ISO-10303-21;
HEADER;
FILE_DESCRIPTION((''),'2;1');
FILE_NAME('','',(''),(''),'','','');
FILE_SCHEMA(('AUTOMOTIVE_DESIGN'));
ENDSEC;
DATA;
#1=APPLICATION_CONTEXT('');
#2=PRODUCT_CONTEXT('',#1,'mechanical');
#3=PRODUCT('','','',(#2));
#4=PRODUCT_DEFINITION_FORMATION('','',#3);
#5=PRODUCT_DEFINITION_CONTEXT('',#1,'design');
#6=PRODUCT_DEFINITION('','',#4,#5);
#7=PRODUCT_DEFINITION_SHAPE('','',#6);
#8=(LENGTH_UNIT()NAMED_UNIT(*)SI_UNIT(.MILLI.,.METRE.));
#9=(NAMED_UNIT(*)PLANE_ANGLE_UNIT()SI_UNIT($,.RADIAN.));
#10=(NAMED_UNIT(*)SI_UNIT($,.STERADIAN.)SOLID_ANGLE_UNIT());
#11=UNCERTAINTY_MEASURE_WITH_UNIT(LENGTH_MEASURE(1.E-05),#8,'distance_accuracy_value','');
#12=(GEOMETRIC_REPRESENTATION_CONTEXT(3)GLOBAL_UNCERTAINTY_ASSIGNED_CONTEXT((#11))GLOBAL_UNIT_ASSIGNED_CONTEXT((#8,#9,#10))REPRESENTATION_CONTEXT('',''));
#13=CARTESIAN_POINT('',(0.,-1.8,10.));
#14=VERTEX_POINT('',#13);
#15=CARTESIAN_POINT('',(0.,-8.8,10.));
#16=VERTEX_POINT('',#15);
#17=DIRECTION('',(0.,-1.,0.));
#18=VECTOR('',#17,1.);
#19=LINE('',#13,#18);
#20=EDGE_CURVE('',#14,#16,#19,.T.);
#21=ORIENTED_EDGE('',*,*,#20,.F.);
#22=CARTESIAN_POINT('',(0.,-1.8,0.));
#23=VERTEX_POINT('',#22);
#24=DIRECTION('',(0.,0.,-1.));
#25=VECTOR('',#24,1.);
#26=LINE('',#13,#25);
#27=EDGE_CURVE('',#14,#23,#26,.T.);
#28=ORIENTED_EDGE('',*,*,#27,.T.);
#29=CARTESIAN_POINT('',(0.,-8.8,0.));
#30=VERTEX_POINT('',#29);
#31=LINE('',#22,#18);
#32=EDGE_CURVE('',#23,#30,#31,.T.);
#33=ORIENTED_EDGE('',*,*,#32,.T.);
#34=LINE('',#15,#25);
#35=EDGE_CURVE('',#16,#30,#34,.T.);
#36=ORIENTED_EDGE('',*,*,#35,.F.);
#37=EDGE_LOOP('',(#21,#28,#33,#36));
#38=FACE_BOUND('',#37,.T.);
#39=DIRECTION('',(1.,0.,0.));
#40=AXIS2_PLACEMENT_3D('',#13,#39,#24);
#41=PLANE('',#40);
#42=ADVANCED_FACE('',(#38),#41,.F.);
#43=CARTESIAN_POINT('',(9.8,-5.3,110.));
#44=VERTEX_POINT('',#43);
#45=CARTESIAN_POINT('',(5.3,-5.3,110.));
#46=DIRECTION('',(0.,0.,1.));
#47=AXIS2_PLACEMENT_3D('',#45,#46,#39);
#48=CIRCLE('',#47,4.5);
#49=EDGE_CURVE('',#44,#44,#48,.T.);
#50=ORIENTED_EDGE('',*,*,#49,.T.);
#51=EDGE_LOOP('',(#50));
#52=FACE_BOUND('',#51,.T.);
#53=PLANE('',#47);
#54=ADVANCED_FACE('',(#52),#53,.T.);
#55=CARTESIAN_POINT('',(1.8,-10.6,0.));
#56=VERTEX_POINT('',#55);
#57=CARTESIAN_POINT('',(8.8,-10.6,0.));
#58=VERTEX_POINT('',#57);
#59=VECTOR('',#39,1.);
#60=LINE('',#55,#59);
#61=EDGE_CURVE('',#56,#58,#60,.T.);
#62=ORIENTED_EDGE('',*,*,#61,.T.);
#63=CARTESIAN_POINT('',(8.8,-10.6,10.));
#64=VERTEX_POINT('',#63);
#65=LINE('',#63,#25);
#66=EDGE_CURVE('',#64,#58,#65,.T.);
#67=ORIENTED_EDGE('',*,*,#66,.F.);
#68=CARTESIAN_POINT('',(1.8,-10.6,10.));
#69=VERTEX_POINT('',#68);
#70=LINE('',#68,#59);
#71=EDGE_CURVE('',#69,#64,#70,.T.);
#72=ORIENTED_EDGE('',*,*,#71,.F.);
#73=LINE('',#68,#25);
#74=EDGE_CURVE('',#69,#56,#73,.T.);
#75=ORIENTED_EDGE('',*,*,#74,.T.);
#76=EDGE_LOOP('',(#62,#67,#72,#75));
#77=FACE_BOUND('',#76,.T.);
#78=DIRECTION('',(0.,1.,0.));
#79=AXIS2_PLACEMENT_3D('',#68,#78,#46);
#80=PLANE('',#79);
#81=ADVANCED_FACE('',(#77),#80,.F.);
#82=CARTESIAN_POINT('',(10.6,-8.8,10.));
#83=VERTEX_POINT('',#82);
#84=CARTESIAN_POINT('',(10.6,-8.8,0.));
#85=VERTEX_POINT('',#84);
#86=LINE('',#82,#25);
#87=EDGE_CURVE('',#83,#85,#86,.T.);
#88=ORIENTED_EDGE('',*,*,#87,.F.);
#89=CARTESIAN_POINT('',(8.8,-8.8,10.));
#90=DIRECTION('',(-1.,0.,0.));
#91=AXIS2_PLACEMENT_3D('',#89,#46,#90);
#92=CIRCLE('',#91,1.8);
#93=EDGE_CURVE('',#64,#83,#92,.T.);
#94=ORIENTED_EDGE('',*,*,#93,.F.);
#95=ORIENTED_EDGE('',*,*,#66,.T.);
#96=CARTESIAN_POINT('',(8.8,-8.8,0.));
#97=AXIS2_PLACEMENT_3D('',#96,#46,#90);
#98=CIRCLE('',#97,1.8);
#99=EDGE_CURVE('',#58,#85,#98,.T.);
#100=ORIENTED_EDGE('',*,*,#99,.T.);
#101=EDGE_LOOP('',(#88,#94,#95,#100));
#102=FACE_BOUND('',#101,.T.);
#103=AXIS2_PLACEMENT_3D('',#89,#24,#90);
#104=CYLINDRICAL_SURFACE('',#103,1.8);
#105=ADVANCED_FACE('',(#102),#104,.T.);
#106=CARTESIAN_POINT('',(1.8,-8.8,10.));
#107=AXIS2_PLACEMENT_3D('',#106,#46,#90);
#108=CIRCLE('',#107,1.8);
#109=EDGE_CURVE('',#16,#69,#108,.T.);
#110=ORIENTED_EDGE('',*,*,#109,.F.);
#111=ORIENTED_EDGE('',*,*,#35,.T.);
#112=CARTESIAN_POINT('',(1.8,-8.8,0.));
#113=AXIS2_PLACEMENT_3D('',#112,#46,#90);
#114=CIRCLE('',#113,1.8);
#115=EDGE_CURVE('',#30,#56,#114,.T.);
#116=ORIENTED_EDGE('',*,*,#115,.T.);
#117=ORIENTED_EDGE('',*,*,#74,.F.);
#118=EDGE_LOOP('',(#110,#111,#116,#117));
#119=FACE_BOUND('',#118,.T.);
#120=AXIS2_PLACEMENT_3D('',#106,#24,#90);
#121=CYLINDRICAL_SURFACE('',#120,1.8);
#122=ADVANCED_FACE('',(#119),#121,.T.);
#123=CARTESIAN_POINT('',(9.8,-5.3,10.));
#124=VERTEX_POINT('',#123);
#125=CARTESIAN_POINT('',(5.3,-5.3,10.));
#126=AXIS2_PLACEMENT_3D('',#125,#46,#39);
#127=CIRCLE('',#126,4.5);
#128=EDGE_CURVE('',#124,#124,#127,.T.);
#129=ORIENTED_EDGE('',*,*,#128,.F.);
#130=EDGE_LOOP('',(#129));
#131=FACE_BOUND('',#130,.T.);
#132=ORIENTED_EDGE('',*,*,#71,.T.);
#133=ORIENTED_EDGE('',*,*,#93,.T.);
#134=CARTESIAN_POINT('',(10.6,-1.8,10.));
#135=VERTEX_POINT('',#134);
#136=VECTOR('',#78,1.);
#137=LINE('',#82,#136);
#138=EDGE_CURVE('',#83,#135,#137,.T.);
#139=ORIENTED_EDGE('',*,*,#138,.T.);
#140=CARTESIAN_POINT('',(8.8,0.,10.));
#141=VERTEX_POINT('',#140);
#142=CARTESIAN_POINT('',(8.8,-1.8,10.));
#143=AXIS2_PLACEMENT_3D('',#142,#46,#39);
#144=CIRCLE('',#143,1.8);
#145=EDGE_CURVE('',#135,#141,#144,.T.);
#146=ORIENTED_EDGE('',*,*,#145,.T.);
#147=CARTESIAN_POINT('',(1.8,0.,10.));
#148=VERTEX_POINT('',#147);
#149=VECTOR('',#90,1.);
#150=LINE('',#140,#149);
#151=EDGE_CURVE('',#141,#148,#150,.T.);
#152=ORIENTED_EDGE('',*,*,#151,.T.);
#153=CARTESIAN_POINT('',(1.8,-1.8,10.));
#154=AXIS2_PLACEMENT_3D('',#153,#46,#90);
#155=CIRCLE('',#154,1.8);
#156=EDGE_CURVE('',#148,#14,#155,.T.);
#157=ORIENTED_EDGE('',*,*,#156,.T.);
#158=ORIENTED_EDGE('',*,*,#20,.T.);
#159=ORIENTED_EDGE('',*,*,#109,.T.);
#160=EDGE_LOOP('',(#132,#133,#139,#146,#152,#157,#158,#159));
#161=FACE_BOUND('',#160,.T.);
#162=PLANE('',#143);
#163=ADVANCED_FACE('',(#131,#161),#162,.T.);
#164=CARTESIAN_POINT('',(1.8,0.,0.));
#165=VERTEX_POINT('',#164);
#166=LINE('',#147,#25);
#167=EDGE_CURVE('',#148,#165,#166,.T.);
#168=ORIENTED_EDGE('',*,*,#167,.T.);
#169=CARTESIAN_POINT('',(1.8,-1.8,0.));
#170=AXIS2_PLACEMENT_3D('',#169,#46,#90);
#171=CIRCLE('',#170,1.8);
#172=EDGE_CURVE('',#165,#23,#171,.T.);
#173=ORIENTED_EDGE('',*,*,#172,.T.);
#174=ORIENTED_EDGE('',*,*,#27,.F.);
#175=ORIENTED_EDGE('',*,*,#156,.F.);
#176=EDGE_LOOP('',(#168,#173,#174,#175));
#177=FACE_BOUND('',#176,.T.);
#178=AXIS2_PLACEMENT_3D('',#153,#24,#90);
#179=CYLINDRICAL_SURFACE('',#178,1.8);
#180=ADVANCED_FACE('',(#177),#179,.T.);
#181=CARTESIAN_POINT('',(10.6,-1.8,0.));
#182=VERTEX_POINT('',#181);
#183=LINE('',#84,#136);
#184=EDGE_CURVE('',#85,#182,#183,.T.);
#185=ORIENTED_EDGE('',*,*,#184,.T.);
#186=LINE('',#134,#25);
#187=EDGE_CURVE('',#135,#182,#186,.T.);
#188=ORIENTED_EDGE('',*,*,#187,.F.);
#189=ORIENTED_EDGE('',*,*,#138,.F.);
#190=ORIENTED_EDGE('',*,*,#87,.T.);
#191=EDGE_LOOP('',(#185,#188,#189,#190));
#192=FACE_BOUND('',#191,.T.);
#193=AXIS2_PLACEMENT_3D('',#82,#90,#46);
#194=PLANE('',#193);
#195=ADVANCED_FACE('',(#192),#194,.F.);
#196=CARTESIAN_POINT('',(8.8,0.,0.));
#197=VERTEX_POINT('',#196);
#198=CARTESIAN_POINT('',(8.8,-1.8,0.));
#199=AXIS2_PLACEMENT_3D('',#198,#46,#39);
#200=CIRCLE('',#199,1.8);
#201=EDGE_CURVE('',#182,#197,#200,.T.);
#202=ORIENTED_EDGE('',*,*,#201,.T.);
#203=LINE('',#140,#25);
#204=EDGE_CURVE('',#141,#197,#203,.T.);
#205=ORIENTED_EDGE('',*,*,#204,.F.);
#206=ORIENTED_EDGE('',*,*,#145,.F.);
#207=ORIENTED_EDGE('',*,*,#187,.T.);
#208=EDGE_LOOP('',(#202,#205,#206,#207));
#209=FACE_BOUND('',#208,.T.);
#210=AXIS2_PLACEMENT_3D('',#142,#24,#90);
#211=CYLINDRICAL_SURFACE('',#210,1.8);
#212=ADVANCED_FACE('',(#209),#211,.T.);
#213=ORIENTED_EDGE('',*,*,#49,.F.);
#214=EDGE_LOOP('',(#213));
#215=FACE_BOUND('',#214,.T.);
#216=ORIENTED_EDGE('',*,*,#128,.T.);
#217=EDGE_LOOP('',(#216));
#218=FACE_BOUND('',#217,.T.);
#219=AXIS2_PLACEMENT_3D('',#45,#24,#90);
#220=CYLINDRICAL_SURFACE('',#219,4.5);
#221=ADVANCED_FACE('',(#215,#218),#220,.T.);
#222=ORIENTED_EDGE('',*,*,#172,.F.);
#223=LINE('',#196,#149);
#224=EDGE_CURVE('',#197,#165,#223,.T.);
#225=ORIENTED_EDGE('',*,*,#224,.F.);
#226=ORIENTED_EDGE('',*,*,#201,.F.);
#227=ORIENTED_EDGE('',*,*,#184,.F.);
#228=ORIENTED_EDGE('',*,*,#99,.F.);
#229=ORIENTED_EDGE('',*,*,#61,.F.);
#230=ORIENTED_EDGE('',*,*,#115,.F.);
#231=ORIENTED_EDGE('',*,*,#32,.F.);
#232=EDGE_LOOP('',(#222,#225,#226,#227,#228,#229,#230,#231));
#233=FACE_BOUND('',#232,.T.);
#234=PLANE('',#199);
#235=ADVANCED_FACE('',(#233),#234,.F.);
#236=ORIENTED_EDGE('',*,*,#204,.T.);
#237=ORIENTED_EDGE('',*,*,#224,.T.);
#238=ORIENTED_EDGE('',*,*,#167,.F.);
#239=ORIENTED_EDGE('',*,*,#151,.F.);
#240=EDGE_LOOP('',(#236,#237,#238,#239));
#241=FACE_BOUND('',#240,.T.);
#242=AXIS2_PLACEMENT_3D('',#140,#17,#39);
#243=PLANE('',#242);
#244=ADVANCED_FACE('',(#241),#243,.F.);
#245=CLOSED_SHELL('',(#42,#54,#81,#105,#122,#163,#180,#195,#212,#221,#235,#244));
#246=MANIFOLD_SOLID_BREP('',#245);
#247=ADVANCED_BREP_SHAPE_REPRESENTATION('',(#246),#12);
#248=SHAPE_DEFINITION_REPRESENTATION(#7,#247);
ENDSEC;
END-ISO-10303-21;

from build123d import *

# Parameters (mm, degrees)
BOSS_EXTRUDE1_DEPTH = 10
SKETCH2_R           = 4.5
BOSS_EXTRUDE2_DEPTH = 100


with BuildPart() as part:
    # Sketch1 → Boss-Extrude1 (new body)
    with BuildSketch(Plane.XY):
        with BuildLine():
            Line((0, -1.8), (0, -8.8))
            ThreePointArc((0, -8.8), (0.527207794, -10.072792206), (1.8, -10.6))
            Line((1.8, -10.6), (8.8, -10.6))
            ThreePointArc((8.8, -10.6), (10.072792206, -10.072792206), (10.6, -8.8))
            Line((10.6, -8.8), (10.6, -1.8))
            ThreePointArc((10.6, -1.8), (10.072792206, -0.527207794), (8.8, 0))
            Line((8.8, 0), (1.8, 0))
            ThreePointArc((1.8, 0), (0.527207794, -0.527207794), (0, -1.8))
        make_face()
    extrude(amount=BOSS_EXTRUDE1_DEPTH)

    # Sketch2 → Boss-Extrude2 (add)
    with BuildSketch(Plane.XY.offset(10)):
        with Locations((5.3, -5.3)):
            Circle(SKETCH2_R)
    extrude(amount=BOSS_EXTRUDE2_DEPTH)


solid = part.part
